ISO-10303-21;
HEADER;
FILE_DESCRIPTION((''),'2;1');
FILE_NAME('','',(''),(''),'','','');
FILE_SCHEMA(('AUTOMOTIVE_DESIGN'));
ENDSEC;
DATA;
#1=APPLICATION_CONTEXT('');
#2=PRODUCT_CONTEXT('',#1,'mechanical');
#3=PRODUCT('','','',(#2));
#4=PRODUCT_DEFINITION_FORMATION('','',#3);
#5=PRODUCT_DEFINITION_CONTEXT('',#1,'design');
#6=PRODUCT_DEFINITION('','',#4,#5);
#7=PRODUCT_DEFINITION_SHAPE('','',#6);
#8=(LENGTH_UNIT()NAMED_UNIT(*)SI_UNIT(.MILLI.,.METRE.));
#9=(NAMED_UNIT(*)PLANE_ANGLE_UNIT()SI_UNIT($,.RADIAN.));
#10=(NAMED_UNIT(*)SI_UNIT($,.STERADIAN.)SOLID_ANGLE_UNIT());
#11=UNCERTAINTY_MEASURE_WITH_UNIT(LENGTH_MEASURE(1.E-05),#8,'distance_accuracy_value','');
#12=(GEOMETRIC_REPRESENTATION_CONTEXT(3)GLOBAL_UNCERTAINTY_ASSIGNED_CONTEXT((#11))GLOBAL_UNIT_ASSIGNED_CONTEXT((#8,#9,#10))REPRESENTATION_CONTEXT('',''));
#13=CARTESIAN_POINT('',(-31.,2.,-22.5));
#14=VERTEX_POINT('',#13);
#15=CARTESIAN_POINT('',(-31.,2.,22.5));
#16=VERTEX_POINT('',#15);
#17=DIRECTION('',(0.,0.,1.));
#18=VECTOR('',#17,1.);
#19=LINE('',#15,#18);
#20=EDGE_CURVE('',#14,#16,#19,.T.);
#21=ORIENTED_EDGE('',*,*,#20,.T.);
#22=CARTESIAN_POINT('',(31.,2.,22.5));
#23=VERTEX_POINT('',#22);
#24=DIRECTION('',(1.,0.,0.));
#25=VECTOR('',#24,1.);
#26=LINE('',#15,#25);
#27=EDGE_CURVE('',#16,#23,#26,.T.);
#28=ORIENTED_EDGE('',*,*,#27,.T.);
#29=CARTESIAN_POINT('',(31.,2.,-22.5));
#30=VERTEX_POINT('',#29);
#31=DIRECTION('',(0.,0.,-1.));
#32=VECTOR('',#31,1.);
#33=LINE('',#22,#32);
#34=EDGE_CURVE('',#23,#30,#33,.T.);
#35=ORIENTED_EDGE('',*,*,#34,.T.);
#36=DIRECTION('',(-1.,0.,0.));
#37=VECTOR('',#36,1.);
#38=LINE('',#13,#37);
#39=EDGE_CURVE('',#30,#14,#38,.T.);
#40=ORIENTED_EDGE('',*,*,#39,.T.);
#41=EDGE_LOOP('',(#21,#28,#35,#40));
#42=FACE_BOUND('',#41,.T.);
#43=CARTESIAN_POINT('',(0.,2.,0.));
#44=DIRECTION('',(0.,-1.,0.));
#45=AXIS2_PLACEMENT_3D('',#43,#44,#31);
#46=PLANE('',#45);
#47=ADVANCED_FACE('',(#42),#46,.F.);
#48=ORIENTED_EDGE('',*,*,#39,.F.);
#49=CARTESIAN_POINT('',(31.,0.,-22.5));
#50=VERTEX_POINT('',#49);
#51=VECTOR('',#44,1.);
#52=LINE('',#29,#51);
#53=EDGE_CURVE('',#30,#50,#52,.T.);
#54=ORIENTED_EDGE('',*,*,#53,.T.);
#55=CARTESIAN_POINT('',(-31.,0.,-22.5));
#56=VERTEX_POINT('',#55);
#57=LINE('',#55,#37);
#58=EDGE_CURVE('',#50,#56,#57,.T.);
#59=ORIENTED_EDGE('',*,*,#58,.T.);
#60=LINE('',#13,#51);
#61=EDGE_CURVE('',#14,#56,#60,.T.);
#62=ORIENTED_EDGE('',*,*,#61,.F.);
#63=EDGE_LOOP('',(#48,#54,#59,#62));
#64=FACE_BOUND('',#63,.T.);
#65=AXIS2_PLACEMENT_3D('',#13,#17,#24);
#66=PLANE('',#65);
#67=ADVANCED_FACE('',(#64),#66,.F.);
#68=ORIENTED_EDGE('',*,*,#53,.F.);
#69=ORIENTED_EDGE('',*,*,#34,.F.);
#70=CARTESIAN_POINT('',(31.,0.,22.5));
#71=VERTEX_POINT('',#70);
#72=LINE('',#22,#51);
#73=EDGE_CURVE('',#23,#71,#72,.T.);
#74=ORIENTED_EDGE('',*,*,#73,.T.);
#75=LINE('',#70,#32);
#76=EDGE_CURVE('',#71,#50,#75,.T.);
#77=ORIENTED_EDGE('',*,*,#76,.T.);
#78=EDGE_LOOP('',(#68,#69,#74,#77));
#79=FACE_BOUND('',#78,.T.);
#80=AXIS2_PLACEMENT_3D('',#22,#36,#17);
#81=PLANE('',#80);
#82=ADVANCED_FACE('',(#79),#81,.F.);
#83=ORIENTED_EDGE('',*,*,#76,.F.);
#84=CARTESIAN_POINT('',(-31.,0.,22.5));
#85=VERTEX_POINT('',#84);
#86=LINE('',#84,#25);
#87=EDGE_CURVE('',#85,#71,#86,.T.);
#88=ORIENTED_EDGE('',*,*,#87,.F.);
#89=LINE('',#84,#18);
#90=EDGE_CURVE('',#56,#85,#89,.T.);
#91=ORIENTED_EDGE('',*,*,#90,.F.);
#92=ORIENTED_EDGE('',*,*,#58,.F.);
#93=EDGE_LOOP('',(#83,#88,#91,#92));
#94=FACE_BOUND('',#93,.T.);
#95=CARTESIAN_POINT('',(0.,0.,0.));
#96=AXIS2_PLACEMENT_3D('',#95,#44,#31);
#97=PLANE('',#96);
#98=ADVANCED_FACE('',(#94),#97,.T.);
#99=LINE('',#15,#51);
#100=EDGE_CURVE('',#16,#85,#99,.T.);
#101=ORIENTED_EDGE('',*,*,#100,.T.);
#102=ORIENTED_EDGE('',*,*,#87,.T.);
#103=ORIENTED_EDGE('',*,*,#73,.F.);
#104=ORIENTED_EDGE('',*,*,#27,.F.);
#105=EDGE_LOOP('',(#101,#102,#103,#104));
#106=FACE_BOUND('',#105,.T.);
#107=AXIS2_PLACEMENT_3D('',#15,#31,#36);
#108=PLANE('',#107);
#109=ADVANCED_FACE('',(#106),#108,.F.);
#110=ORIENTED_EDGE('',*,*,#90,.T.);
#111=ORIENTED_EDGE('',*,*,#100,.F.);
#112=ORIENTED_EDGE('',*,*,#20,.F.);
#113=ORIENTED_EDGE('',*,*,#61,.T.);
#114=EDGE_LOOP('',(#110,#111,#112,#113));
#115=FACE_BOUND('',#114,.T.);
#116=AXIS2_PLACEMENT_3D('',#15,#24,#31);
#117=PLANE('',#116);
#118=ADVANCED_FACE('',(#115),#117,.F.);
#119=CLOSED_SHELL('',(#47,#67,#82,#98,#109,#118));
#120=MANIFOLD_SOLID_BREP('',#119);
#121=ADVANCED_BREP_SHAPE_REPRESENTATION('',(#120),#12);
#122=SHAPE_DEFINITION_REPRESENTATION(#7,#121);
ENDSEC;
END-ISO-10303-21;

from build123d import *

# Parameters (mm, degrees)
SKETCH1_W           = 62
SKETCH1_H           = 45
BOSS_EXTRUDE1_DEPTH = 2


with BuildPart() as part:
    # Sketch1 → Boss-Extrude1 (new body)
    with BuildSketch(Plane(origin=(0, 0, 0), x_dir=(1, 0, 0), z_dir=(0, 1, 0))):
        Rectangle(SKETCH1_W, SKETCH1_H)
    extrude(amount=BOSS_EXTRUDE1_DEPTH)


solid = part.part
